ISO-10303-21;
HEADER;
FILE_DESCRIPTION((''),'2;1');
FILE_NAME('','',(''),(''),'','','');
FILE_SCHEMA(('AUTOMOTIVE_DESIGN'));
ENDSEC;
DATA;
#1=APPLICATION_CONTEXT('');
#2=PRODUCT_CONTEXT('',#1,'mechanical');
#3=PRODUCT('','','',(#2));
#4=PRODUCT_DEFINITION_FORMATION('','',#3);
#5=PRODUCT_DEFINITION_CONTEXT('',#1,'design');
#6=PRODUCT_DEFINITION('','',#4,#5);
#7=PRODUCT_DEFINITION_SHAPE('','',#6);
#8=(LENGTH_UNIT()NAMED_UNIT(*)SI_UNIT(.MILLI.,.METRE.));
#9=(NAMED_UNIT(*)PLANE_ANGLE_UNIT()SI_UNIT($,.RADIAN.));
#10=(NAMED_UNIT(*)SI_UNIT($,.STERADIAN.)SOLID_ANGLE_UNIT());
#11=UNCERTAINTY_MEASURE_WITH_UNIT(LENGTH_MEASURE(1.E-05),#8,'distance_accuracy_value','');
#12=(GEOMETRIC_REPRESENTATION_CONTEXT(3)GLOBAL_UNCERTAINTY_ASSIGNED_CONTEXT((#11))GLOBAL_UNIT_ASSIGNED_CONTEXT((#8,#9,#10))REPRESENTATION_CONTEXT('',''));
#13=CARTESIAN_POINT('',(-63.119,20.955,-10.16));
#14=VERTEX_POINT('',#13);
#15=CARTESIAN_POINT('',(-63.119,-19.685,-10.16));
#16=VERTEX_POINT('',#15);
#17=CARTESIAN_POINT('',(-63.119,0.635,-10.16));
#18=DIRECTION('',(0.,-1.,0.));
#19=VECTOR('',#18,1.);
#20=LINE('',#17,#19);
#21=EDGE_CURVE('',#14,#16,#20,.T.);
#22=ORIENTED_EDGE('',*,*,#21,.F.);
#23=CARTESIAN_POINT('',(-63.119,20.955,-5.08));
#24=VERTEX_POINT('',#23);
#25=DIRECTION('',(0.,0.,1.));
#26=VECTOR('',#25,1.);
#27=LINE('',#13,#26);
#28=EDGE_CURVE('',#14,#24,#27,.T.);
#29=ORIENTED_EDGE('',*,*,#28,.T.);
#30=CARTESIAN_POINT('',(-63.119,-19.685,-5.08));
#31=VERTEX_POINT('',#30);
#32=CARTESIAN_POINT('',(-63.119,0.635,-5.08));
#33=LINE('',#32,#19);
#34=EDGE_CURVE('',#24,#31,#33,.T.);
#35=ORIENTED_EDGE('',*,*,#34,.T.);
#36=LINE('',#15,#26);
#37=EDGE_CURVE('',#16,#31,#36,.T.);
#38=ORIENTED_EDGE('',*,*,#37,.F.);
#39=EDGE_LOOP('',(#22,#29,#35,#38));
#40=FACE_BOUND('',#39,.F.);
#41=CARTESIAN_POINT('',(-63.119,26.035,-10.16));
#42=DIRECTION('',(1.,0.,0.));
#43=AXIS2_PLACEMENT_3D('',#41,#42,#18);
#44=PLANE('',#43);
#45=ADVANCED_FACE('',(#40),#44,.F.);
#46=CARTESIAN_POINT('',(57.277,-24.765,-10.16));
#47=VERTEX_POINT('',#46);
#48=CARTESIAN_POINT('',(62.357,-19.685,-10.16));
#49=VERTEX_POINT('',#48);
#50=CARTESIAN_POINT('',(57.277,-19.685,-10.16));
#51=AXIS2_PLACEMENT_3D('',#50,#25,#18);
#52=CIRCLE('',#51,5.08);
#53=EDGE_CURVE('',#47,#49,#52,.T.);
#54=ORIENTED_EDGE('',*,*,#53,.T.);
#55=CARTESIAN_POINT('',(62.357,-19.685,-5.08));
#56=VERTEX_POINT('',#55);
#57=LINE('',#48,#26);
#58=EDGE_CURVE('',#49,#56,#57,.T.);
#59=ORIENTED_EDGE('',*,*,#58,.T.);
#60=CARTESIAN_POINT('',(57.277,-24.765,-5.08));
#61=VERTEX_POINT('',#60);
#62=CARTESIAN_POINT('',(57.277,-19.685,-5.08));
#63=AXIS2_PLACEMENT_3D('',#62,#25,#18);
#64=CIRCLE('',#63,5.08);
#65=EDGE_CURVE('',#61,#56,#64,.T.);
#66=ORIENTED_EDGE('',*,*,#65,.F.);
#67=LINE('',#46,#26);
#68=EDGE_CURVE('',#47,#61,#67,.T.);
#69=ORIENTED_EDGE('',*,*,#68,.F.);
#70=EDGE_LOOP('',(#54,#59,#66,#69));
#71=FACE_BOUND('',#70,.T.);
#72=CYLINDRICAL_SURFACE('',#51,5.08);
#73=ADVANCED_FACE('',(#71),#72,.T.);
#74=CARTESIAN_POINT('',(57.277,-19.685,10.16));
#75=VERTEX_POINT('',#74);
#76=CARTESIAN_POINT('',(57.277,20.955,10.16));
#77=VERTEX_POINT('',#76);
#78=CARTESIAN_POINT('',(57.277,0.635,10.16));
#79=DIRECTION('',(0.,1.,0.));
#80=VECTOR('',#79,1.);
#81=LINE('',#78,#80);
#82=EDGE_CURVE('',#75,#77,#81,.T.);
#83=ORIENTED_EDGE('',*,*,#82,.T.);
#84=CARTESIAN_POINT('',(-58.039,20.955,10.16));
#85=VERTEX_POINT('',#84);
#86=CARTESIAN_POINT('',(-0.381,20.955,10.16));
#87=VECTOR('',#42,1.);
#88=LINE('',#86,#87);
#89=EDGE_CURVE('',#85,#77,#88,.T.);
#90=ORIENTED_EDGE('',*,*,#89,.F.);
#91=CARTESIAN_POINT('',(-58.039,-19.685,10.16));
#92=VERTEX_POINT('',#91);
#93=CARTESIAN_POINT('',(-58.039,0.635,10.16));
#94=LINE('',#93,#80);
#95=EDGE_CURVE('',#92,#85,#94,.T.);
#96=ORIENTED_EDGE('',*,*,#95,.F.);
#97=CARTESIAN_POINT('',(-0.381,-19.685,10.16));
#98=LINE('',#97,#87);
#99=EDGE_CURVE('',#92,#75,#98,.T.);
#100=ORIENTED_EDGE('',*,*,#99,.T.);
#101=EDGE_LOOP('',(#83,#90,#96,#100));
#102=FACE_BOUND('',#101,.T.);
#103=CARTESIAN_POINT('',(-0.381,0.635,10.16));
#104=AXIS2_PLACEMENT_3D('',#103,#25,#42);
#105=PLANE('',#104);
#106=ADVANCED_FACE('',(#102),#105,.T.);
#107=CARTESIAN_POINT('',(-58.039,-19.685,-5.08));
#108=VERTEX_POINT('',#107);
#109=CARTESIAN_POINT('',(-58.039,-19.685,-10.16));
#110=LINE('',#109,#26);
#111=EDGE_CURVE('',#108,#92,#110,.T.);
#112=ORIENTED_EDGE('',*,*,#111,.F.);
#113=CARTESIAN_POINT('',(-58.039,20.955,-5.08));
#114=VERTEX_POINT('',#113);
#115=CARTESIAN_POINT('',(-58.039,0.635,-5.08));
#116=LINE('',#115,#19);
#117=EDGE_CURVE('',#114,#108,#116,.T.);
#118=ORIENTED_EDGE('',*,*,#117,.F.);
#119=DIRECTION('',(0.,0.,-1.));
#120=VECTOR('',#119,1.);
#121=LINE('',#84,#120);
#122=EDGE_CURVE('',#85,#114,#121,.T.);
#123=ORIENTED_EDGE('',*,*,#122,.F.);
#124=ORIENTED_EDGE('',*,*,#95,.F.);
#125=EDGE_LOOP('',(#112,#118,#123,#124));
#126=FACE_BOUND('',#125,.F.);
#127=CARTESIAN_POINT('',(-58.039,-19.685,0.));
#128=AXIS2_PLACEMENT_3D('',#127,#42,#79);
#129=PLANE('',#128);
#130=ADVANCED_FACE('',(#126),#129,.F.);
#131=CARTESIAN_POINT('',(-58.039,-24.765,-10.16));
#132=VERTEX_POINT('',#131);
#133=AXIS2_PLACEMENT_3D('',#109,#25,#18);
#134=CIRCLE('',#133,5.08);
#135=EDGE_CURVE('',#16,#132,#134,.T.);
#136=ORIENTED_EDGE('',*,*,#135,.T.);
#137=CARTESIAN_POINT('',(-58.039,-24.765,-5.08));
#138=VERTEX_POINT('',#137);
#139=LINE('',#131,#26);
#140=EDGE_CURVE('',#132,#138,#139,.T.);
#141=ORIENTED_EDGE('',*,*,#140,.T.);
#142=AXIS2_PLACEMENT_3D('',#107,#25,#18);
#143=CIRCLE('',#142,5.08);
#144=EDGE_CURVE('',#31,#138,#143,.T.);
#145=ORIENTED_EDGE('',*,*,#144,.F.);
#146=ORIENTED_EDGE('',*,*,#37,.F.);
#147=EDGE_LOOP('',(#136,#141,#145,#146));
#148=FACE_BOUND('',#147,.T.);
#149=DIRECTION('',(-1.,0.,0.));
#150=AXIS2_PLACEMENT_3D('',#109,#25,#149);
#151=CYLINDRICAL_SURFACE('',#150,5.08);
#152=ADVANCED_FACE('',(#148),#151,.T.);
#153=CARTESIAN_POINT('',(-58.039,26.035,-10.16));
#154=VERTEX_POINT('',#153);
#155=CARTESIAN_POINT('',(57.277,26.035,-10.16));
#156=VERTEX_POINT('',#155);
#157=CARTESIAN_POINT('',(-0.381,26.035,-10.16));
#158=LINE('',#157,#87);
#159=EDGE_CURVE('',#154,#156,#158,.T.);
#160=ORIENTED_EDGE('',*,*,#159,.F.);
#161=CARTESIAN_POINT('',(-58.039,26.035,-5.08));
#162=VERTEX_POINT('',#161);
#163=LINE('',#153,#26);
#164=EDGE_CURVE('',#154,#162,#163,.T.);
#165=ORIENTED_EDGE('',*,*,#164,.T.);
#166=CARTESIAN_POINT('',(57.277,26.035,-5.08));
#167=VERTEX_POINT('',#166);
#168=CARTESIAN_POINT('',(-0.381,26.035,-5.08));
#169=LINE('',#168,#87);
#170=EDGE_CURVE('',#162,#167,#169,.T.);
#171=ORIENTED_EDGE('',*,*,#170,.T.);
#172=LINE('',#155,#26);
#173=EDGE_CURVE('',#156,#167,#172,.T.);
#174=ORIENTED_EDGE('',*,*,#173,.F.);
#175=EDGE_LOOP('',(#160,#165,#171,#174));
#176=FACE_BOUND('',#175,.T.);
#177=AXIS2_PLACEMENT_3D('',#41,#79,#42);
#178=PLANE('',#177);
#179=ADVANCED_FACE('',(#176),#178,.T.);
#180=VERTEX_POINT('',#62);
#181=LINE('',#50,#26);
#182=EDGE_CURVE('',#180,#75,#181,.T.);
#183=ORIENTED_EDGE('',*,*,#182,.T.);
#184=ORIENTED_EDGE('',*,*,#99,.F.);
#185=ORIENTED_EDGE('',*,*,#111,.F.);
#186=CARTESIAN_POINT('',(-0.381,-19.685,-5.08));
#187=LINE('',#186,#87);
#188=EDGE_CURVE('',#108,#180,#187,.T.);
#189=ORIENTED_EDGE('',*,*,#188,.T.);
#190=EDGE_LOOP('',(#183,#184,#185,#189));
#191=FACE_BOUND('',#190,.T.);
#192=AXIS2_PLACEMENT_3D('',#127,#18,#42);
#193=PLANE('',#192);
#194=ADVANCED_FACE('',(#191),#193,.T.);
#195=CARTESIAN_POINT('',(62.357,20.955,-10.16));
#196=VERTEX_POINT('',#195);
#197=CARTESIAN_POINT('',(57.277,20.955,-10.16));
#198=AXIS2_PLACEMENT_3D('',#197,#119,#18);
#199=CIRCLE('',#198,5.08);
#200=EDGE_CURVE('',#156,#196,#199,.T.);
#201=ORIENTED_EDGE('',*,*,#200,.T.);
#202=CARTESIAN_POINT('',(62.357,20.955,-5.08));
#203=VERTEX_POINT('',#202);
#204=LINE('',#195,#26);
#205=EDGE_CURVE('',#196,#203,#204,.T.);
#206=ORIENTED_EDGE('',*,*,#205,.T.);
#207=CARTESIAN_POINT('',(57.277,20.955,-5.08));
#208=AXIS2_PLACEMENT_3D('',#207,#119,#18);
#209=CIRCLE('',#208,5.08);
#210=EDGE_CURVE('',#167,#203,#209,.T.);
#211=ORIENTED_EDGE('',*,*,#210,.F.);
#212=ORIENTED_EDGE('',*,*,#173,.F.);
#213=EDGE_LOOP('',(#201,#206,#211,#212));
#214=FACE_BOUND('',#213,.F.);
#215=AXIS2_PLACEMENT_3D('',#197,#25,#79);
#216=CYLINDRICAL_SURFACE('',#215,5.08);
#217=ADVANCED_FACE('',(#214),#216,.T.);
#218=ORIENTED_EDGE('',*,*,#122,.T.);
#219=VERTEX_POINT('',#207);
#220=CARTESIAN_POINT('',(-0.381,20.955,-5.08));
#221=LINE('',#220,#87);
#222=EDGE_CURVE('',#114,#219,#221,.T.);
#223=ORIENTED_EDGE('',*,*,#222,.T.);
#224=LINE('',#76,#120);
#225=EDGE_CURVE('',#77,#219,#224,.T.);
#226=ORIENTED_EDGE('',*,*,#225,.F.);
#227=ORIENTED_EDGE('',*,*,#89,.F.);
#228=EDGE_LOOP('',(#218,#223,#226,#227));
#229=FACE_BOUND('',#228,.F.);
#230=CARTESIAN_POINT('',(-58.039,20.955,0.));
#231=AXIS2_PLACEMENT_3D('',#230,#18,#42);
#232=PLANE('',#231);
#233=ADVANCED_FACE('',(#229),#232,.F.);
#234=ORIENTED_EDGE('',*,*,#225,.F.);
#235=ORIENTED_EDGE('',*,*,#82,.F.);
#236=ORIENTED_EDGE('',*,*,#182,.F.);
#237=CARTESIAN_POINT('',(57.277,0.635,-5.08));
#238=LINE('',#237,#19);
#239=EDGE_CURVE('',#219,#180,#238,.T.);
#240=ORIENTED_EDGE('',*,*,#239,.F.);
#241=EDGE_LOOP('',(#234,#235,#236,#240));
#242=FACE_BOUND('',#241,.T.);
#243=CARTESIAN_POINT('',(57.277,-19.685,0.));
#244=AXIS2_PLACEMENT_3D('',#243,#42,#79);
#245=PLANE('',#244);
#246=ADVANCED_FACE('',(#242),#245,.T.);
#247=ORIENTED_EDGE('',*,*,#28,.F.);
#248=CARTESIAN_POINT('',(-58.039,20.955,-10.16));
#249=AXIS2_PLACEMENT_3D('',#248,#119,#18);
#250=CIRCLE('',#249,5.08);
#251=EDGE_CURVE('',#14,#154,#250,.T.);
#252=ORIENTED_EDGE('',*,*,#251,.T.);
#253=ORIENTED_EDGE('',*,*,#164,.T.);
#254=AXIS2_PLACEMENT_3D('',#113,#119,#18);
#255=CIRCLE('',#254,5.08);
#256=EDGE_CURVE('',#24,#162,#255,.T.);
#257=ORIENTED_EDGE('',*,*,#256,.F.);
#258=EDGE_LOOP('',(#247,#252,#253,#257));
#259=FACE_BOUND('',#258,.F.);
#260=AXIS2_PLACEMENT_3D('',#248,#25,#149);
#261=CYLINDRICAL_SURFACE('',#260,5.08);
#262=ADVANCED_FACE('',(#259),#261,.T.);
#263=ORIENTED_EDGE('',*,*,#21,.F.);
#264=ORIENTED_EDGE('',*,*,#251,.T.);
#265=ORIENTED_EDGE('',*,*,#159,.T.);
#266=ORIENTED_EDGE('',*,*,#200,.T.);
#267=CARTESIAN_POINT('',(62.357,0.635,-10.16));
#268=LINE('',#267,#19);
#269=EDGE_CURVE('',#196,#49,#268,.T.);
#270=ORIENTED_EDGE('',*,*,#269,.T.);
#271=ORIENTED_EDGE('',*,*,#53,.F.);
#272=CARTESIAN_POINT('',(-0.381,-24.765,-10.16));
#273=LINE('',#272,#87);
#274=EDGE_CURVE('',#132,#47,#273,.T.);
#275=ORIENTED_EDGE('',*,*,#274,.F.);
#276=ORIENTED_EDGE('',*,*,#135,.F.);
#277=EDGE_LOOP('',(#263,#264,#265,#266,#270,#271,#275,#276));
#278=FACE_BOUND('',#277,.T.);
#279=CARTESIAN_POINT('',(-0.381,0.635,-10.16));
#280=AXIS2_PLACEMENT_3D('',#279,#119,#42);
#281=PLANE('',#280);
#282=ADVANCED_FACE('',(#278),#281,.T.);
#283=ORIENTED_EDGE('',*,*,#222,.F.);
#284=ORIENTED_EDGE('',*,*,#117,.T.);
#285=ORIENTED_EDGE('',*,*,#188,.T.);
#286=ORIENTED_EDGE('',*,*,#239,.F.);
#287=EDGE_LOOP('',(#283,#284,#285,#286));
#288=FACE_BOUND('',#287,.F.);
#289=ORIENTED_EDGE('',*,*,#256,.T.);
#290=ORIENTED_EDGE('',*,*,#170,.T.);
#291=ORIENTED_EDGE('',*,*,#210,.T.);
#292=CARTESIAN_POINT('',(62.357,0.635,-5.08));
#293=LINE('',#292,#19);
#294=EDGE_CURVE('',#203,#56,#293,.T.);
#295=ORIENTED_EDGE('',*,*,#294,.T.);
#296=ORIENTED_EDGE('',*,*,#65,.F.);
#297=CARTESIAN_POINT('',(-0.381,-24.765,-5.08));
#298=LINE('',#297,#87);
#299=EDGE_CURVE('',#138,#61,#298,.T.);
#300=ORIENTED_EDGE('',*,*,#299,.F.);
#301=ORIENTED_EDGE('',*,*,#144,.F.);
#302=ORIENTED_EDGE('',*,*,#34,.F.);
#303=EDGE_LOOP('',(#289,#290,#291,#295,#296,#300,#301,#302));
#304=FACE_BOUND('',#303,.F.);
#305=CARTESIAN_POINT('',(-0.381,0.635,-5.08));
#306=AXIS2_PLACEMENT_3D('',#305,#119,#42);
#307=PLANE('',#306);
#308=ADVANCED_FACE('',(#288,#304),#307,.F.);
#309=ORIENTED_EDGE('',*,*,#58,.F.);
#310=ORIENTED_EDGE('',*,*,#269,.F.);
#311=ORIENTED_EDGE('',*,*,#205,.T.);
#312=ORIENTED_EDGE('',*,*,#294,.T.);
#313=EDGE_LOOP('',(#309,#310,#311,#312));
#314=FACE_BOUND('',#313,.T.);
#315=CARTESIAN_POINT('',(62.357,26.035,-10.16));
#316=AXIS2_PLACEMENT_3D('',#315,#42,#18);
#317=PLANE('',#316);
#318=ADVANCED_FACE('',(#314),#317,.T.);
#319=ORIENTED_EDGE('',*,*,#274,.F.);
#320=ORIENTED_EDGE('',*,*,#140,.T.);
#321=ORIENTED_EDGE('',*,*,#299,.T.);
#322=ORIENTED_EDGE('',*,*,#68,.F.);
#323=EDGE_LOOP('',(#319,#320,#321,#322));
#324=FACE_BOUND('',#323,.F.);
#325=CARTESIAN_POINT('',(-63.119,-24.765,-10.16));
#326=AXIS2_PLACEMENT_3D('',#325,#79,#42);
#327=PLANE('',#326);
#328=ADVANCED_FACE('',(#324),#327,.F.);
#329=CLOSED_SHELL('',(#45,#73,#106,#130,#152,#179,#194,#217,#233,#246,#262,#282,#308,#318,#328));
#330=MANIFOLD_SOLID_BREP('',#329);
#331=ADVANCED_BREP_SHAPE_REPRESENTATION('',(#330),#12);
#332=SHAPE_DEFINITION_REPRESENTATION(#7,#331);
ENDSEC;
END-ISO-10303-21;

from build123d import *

# Parameters (mm, degrees)
F0_W     = 115.316
F0_H     = 40.64
F1_DEPTH = 10.16
F2_W     = 125.476
F2_H     = 50.8
F2_W_2   = 115.316
F2_H_2   = 40.64
F3_DEPTH = 5.08
F4_R     = 5.08


with BuildPart() as f1:
    # F0 (on Top) → F1 (new body, symmetric)
    with BuildSketch(Plane.XY):
        with Locations((-0.381, 0.635)):
            Rectangle(F0_W, F0_H)
    extrude(amount=F1_DEPTH, both=True)

    # F2 (on face) → F3 (join)
    with BuildSketch(Plane(origin=(0, 0, -10.16), x_dir=(1, 0, 0), z_dir=(0, 0, -1))):
        with Locations((-0.381, -0.635)):
            Rectangle(F2_W, F2_H)
        with Locations((-0.381, -0.635)):
            Rectangle(F2_W_2, F2_H_2, mode=Mode.SUBTRACT)
    extrude(amount=-F3_DEPTH)

    # F4
    f4_edges = [f1.edges().sort_by_distance(p)[0] for p in [
        (-63.119, -24.765, -7.62),
        (62.357, -24.765, -7.62),
        (-63.119, 26.035, -7.62),
        (62.357, 26.035, -7.62),
    ]]
    fillet(f4_edges, radius=F4_R)


solid = f1.part
